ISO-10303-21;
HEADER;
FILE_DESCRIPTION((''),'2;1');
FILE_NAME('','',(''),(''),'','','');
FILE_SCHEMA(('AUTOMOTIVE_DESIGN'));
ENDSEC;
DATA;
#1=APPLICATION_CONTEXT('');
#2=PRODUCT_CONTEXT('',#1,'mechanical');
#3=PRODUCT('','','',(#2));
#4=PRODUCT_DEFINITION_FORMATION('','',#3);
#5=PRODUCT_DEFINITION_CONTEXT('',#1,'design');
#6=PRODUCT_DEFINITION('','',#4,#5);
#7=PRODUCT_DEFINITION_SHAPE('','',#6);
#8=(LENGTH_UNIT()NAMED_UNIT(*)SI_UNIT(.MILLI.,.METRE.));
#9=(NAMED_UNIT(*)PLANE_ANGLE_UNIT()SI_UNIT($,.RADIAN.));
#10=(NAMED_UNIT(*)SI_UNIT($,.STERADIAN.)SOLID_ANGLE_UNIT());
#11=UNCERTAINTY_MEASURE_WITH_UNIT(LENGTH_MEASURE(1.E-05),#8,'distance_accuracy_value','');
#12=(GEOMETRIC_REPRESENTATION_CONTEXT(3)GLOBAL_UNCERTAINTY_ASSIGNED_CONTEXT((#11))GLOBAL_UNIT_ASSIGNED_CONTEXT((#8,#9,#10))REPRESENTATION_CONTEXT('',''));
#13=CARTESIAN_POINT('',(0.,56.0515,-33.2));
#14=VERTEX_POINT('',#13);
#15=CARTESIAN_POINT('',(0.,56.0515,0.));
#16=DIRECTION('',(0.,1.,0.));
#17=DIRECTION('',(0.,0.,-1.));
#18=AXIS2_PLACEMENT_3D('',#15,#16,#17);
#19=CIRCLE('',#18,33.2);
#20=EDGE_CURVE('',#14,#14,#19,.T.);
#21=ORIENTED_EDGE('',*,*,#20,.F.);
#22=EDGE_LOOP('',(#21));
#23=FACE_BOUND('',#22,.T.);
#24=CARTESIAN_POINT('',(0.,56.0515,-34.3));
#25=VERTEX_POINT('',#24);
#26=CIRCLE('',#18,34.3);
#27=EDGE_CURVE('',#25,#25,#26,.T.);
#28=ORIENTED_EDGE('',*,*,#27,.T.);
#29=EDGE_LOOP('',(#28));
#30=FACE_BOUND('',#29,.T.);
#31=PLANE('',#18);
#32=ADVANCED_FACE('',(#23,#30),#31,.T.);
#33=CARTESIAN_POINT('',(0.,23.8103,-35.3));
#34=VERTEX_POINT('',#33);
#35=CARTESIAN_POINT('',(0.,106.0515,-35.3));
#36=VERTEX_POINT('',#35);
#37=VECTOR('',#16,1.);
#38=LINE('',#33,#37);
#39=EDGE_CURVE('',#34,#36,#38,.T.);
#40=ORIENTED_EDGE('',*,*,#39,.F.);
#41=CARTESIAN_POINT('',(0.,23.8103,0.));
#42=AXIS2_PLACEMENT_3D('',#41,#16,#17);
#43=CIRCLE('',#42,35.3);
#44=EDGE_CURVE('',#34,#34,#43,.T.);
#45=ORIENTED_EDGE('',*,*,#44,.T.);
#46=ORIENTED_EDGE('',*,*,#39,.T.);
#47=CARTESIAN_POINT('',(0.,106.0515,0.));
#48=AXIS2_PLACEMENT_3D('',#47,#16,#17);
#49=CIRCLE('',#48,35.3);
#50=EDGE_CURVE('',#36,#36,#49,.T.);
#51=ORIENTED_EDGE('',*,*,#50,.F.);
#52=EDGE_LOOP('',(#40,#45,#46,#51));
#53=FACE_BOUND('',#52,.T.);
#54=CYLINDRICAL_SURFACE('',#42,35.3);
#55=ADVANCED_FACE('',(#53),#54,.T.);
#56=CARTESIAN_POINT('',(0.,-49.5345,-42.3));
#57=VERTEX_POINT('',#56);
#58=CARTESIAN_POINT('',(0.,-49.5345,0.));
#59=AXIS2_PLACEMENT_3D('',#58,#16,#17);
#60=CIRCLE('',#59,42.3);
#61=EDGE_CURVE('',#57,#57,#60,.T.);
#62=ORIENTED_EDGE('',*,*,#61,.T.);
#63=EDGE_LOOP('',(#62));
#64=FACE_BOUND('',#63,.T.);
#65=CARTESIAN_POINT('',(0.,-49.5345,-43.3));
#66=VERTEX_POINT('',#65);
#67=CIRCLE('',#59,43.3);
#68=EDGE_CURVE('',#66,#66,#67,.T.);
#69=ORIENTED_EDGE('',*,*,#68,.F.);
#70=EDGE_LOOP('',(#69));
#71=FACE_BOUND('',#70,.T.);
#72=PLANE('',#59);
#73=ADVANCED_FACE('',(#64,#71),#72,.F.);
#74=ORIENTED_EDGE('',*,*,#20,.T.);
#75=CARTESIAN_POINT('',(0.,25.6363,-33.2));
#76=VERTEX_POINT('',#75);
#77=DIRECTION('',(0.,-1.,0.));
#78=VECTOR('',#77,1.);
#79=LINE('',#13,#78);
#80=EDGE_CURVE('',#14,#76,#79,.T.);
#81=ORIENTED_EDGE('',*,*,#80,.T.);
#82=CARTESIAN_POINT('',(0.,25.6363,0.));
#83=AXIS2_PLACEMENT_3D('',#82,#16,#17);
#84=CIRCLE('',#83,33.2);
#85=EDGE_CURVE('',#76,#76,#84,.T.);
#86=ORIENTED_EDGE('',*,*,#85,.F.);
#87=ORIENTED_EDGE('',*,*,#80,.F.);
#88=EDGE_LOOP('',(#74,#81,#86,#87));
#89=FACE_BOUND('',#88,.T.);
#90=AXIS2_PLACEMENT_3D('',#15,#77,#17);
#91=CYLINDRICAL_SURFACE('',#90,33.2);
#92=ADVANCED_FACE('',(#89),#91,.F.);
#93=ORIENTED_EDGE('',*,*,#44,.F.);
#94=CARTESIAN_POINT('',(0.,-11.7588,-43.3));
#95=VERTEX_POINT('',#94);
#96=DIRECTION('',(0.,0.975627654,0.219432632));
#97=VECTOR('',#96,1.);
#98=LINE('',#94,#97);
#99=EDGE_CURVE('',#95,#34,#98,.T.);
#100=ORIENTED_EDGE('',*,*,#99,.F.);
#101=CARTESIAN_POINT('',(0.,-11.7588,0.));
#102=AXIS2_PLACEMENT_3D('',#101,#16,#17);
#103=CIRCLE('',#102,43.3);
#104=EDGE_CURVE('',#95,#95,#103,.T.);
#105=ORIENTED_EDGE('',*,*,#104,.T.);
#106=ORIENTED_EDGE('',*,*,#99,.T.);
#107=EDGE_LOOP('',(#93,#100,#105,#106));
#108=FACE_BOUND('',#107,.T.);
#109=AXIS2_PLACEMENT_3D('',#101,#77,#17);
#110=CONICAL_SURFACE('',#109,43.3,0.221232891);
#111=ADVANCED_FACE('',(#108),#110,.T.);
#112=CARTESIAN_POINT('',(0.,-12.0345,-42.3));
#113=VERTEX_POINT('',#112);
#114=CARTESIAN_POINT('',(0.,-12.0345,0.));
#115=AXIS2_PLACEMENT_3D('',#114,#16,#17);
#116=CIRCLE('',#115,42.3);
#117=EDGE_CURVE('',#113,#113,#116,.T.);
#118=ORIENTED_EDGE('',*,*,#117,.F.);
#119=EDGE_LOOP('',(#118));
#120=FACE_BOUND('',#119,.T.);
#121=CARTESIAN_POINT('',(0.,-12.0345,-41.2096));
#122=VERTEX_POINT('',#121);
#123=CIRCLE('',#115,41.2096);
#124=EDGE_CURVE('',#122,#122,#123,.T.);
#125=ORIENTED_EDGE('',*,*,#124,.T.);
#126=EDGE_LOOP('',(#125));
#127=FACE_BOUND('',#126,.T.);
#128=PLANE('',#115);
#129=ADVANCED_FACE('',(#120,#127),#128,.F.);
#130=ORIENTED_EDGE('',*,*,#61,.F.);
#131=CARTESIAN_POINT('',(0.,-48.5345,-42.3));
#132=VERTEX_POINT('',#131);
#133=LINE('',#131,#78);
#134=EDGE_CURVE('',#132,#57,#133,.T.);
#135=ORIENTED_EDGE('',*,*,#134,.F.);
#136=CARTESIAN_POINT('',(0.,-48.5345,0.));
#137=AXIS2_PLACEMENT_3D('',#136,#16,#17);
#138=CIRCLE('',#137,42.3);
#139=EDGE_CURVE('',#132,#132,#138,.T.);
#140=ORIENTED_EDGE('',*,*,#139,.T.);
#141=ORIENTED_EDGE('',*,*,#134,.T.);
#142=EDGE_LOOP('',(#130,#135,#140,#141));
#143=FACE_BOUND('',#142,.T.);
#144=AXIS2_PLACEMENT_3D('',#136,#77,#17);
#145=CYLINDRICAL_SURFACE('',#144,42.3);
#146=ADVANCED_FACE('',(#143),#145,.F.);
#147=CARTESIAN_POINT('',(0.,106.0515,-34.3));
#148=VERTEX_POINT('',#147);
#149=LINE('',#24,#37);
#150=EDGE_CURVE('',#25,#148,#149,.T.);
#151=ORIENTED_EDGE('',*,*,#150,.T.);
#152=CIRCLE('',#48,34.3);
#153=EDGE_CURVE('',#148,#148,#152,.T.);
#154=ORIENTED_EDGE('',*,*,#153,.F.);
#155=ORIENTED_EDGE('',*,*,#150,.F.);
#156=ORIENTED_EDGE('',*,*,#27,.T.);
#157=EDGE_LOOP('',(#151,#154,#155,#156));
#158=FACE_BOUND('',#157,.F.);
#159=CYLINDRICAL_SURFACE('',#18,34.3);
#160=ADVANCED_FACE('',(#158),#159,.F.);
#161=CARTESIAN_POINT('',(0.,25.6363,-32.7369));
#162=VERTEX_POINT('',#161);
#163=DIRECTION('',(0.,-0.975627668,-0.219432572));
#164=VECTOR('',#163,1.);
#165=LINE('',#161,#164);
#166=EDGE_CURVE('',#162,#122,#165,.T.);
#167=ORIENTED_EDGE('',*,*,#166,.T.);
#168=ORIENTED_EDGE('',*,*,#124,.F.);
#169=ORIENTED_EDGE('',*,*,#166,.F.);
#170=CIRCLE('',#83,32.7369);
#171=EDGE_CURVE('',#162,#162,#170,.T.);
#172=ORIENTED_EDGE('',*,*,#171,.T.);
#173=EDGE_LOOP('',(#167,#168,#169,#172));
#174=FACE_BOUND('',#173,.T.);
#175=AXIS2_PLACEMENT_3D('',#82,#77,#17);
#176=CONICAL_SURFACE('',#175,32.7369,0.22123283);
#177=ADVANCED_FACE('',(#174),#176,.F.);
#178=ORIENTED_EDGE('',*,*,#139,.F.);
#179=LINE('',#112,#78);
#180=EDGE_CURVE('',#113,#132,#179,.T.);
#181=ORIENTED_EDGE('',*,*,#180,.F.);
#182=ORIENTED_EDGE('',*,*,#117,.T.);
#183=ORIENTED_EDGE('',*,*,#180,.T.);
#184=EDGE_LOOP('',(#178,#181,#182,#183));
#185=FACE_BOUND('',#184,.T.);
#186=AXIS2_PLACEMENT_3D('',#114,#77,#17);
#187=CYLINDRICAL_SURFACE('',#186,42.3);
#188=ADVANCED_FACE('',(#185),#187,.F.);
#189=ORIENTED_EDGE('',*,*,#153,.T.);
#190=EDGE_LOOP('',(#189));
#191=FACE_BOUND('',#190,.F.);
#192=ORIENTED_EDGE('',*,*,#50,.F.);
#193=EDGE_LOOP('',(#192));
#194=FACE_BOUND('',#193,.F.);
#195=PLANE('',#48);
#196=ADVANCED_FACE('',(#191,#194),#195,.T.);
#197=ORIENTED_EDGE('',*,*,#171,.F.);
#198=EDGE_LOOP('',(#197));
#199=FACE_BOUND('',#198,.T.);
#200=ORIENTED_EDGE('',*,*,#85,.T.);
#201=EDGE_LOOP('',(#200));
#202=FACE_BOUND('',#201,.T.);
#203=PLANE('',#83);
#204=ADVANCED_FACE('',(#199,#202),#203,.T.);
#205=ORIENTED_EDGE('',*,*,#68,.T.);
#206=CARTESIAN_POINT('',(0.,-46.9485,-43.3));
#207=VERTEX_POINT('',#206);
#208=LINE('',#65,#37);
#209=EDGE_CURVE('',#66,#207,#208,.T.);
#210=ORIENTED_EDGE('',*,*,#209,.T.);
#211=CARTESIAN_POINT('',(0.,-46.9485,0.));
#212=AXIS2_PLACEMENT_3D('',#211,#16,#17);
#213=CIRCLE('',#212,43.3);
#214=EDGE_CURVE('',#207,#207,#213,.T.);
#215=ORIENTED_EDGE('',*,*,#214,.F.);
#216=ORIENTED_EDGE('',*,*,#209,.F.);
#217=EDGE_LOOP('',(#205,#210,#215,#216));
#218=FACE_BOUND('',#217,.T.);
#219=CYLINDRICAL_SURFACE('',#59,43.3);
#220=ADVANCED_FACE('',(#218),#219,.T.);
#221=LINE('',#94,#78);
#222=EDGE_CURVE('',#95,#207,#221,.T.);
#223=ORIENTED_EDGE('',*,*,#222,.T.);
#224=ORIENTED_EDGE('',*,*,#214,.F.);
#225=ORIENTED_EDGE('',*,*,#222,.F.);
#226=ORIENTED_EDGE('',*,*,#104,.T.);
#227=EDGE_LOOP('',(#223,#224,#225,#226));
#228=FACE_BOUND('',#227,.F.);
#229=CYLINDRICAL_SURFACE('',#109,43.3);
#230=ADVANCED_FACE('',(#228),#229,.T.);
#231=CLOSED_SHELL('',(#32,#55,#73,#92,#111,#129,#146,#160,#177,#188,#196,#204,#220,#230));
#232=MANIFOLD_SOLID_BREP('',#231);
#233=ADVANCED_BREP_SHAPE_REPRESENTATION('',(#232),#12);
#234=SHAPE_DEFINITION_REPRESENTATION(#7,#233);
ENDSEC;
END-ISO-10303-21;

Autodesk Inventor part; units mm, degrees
ref_plane "YZ Plane" through (0, 0, 0) normal (1, 0, 0) x (0, 1, 0)
ref_plane "XZ Plane" through (0, 0, 0) normal (0, 1, 0) x (-1, 0, 0)
ref_plane "XY Plane" through (0, 0, 0) normal (0, 0, 1) x (1, 0, 0)
sketch "Sketch1" plane through (0, 0, 0) normal (1, 0, 0) x (0, 1, 0)
  line L0 (56.0515, -34.3) -> (106.0515, -34.3)
  line L1 (106.0515, -34.3) -> (106.0515, -35.3)
  line L2 (-80.6517, 0) -> (137.1687, 0) projected
  line L3 (25.6363, -32.7369) -> (-12.0345, -41.2096)
  line L4 (-11.7588, -43.3) -> (23.8103, -35.3)
  line L5 (23.8103, -35.3) -> (106.0515, -35.3)
  line L6 (-11.7588, -43.3) -> (-46.9485, -43.3)
  line L7 (56.0515, -34.3) -> (56.0515, -33.2)
  line L8 (56.0515, -33.2) -> (25.6363, -33.2)
  line L9 (25.6363, -33.2) -> (25.6363, -32.7369)
  line L10 (-12.0345, -41.2096) -> (-12.0345, -42.3)
  line L11 (-12.0345, -42.3) -> (-48.5345, -42.3)
  line L12 (-48.5345, -42.3) -> (-49.5345, -42.3)
  line L13 (-49.5345, -42.3) -> (-49.5345, -43.3)
  line L14 (-49.5345, -43.3) -> (-46.9485, -43.3)
  point P0 (0, 0)
  point P1 (106.0515, -34.8)
  dimension "d49" = 2.1
  dimension "d51" = 34.3
  dimension "d70" = 2.1
  dimension "d71" = 50
  dimension "d73" = 1
  dimension "d74" = 42.3
  dimension "d75" = 1
  dimension "d76" = 37.5
  dimension "d77" = 1
  dimension "d78" = 33.2
revolve "Revolution1" add sketch "Sketch1" angle 360 about axis through (0, -10, 0) along (0, 1, 0)
equation "\"gap\" = 0.1"
properties part number "BottomTubeUp"
